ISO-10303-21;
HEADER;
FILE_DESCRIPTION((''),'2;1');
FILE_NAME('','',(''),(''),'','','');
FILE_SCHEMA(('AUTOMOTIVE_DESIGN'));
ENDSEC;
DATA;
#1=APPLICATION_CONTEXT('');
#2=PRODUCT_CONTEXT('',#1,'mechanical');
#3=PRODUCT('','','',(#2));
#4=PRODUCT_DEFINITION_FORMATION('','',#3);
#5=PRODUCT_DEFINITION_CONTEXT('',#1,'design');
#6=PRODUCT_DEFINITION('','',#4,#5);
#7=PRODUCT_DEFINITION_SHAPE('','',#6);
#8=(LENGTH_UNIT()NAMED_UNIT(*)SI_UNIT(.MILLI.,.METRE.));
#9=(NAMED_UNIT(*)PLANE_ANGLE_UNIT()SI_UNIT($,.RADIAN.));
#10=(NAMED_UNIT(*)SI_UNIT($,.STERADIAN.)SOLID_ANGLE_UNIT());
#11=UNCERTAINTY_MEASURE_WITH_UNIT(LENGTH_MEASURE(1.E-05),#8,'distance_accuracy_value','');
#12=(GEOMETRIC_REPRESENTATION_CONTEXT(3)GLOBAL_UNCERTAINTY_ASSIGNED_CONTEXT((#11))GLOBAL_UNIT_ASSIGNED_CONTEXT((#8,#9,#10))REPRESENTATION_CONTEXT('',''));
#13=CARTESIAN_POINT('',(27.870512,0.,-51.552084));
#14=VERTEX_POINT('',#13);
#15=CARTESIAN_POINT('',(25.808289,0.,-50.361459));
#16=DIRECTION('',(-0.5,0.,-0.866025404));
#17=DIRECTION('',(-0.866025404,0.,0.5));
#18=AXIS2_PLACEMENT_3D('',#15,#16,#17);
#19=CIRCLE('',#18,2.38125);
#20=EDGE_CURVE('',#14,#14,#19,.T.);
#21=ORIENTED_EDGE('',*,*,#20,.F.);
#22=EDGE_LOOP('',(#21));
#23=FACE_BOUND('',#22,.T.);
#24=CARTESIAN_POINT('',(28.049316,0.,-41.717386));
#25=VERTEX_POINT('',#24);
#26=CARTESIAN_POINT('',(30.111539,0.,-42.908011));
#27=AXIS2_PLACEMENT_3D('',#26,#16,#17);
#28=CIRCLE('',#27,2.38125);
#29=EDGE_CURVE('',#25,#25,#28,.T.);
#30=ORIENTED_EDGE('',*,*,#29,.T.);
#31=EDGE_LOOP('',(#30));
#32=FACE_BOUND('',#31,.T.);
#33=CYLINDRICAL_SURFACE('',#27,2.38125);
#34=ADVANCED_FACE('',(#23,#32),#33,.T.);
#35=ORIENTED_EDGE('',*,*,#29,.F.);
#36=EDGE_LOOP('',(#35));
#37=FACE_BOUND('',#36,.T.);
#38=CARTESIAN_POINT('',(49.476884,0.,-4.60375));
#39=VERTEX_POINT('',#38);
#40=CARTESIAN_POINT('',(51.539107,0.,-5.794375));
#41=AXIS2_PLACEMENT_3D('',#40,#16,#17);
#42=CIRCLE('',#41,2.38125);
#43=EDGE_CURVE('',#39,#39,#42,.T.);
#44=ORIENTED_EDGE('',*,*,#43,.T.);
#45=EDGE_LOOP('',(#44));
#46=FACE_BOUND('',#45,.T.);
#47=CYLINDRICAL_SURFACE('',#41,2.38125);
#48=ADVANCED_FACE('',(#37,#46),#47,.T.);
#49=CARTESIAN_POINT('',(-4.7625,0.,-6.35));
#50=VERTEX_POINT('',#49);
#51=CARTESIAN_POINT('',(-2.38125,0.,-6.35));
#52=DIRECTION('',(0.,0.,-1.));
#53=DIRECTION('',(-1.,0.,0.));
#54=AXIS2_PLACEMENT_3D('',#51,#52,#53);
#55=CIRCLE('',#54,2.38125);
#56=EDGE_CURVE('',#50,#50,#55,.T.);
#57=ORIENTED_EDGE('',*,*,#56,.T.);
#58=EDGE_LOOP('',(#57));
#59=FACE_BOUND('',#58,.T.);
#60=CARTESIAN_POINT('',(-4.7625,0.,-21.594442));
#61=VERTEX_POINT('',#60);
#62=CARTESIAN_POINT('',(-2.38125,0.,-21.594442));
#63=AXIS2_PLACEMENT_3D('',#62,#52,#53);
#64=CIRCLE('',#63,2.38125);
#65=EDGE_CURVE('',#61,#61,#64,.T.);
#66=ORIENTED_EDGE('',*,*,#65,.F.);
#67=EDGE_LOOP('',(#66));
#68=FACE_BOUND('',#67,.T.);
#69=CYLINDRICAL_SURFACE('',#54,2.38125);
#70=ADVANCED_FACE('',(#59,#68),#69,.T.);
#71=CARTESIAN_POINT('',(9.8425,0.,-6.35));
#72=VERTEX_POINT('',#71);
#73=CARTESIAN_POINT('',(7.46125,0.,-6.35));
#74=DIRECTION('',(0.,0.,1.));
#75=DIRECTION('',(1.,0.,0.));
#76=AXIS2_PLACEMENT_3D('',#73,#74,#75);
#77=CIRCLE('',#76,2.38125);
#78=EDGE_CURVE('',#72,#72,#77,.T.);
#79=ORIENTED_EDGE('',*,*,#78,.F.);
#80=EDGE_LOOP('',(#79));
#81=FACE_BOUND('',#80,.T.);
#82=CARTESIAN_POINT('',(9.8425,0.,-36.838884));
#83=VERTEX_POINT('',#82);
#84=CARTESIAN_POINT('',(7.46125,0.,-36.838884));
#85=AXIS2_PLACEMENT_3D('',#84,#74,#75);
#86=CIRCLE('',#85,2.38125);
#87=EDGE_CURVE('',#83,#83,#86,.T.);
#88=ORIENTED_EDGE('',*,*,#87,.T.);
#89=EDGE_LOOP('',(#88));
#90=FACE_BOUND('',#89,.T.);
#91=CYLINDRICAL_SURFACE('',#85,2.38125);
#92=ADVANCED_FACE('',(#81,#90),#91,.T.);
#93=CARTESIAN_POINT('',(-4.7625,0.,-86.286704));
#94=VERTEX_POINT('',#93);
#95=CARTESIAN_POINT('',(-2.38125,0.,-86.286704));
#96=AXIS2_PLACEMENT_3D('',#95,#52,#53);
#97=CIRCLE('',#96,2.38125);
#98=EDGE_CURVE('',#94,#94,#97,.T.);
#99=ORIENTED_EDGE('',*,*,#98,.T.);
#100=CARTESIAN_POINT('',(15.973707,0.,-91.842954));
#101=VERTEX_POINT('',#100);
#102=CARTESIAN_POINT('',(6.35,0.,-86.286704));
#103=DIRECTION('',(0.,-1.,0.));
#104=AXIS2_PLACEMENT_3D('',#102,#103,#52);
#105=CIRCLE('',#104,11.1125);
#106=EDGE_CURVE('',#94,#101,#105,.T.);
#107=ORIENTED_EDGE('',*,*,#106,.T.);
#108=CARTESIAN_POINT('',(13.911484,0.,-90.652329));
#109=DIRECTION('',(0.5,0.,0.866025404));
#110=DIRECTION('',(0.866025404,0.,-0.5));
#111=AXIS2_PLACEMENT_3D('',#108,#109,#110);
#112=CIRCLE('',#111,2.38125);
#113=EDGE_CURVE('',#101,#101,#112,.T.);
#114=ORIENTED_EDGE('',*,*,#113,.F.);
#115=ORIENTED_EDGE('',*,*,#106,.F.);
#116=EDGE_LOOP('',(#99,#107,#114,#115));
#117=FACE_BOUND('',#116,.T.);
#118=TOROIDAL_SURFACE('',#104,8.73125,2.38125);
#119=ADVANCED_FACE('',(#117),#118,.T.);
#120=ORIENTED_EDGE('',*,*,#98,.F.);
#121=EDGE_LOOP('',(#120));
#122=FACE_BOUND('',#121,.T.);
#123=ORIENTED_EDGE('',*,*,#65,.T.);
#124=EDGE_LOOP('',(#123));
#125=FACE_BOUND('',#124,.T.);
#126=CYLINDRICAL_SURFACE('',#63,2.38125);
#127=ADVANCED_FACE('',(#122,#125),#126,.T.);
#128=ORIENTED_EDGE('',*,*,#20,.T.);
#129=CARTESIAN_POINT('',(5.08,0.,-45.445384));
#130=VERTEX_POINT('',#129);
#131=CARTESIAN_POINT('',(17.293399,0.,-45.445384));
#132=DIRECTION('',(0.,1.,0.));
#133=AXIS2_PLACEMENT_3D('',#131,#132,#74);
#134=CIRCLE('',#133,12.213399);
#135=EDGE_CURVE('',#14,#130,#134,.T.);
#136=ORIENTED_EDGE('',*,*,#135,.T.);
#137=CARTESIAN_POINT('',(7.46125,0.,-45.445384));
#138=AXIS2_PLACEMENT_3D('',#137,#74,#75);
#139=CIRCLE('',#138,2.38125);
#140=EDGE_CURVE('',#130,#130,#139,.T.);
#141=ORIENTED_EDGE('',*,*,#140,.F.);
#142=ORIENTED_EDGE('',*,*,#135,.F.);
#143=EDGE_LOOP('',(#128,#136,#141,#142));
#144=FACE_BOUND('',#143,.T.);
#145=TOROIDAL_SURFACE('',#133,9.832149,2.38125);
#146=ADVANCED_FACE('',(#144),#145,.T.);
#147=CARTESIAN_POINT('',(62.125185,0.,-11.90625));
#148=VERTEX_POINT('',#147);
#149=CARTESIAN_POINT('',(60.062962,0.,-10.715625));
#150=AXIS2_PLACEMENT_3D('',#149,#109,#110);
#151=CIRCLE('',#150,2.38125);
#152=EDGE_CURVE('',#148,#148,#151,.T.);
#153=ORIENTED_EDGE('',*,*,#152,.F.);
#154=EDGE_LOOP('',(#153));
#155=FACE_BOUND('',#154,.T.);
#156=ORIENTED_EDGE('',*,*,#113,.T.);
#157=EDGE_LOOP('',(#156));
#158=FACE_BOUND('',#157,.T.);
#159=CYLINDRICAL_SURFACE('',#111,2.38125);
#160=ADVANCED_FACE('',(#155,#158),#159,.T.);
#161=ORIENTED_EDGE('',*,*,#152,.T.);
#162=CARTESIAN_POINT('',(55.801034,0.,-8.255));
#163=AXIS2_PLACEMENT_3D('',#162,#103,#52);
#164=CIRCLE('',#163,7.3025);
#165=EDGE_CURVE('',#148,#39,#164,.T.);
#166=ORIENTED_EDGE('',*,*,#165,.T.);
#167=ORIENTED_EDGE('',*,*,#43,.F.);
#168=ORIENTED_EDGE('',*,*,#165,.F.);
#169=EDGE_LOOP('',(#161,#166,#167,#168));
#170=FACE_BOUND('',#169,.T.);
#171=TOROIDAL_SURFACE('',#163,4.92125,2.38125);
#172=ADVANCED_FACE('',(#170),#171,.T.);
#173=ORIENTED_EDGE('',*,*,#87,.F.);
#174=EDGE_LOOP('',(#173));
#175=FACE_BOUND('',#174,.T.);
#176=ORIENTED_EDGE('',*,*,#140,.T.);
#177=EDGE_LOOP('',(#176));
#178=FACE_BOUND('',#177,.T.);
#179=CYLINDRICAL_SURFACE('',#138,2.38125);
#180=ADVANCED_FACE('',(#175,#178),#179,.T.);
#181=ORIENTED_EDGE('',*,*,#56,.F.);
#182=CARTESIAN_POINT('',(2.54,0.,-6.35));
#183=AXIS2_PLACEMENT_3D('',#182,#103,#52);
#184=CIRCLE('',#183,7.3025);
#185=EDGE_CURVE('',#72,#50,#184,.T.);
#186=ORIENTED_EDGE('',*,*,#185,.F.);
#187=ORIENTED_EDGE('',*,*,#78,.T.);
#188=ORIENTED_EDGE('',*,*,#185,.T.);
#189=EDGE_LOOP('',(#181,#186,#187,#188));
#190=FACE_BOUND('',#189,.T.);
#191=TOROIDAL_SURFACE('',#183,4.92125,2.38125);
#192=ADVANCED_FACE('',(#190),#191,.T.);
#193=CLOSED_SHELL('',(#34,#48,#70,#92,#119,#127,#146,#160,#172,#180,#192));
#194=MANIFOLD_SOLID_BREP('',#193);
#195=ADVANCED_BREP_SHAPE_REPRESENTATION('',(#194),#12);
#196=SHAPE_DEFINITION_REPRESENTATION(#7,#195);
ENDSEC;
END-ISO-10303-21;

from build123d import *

# Parameters (mm, degrees)
SKETCH2_R = 2.38125


with BuildPart() as part:
    # Sweep1: sweep along a path in Sketch1
    with BuildLine(Plane(origin=(0, 0, 0), x_dir=(-1, 0, 0), z_dir=(0, -1, 0))) as sweep1_path:
        Line((-11.849261314, 89.461703653), (-58.000738686, 9.525))
        ThreePointArc((-58.000738686, 9.525), (-57.07103416, 6.055295474), (-53.601329635, 6.985))
        Line((-53.601329635, 6.985), (-32.17376215, 44.098635567))
        Line((-32.17376215, 44.098635567), (-27.870511969, 51.552083518))
        ThreePointArc((-27.870511969, 51.552083518), (-14.132338403, 57.242621331), (-5.08, 45.445384241))
        Line((-5.08, 45.445384241), (-5.08, 36.838883879))
        Line((-5.08, 36.838883879), (-5.08, 6.35))
        ThreePointArc((-5.08, 6.35), (-2.54, 3.81), (0, 6.35))
        Line((0, 6.35), (0, 86.286703653))
        ThreePointArc((0, 86.286703653), (-4.706499064, 92.420332649), (-11.849261314, 89.461703653))
    # Sketch2 → Sweep1 (sweep)
    with BuildSketch(Plane(origin=(0, 0, -21.594441939), x_dir=(-1, 0, 0), z_dir=(0, 0, -1))):
        with Locations((2.38125, 0)):
            Circle(SKETCH2_R)
    sweep(path=sweep1_path.line)


solid = part.part
